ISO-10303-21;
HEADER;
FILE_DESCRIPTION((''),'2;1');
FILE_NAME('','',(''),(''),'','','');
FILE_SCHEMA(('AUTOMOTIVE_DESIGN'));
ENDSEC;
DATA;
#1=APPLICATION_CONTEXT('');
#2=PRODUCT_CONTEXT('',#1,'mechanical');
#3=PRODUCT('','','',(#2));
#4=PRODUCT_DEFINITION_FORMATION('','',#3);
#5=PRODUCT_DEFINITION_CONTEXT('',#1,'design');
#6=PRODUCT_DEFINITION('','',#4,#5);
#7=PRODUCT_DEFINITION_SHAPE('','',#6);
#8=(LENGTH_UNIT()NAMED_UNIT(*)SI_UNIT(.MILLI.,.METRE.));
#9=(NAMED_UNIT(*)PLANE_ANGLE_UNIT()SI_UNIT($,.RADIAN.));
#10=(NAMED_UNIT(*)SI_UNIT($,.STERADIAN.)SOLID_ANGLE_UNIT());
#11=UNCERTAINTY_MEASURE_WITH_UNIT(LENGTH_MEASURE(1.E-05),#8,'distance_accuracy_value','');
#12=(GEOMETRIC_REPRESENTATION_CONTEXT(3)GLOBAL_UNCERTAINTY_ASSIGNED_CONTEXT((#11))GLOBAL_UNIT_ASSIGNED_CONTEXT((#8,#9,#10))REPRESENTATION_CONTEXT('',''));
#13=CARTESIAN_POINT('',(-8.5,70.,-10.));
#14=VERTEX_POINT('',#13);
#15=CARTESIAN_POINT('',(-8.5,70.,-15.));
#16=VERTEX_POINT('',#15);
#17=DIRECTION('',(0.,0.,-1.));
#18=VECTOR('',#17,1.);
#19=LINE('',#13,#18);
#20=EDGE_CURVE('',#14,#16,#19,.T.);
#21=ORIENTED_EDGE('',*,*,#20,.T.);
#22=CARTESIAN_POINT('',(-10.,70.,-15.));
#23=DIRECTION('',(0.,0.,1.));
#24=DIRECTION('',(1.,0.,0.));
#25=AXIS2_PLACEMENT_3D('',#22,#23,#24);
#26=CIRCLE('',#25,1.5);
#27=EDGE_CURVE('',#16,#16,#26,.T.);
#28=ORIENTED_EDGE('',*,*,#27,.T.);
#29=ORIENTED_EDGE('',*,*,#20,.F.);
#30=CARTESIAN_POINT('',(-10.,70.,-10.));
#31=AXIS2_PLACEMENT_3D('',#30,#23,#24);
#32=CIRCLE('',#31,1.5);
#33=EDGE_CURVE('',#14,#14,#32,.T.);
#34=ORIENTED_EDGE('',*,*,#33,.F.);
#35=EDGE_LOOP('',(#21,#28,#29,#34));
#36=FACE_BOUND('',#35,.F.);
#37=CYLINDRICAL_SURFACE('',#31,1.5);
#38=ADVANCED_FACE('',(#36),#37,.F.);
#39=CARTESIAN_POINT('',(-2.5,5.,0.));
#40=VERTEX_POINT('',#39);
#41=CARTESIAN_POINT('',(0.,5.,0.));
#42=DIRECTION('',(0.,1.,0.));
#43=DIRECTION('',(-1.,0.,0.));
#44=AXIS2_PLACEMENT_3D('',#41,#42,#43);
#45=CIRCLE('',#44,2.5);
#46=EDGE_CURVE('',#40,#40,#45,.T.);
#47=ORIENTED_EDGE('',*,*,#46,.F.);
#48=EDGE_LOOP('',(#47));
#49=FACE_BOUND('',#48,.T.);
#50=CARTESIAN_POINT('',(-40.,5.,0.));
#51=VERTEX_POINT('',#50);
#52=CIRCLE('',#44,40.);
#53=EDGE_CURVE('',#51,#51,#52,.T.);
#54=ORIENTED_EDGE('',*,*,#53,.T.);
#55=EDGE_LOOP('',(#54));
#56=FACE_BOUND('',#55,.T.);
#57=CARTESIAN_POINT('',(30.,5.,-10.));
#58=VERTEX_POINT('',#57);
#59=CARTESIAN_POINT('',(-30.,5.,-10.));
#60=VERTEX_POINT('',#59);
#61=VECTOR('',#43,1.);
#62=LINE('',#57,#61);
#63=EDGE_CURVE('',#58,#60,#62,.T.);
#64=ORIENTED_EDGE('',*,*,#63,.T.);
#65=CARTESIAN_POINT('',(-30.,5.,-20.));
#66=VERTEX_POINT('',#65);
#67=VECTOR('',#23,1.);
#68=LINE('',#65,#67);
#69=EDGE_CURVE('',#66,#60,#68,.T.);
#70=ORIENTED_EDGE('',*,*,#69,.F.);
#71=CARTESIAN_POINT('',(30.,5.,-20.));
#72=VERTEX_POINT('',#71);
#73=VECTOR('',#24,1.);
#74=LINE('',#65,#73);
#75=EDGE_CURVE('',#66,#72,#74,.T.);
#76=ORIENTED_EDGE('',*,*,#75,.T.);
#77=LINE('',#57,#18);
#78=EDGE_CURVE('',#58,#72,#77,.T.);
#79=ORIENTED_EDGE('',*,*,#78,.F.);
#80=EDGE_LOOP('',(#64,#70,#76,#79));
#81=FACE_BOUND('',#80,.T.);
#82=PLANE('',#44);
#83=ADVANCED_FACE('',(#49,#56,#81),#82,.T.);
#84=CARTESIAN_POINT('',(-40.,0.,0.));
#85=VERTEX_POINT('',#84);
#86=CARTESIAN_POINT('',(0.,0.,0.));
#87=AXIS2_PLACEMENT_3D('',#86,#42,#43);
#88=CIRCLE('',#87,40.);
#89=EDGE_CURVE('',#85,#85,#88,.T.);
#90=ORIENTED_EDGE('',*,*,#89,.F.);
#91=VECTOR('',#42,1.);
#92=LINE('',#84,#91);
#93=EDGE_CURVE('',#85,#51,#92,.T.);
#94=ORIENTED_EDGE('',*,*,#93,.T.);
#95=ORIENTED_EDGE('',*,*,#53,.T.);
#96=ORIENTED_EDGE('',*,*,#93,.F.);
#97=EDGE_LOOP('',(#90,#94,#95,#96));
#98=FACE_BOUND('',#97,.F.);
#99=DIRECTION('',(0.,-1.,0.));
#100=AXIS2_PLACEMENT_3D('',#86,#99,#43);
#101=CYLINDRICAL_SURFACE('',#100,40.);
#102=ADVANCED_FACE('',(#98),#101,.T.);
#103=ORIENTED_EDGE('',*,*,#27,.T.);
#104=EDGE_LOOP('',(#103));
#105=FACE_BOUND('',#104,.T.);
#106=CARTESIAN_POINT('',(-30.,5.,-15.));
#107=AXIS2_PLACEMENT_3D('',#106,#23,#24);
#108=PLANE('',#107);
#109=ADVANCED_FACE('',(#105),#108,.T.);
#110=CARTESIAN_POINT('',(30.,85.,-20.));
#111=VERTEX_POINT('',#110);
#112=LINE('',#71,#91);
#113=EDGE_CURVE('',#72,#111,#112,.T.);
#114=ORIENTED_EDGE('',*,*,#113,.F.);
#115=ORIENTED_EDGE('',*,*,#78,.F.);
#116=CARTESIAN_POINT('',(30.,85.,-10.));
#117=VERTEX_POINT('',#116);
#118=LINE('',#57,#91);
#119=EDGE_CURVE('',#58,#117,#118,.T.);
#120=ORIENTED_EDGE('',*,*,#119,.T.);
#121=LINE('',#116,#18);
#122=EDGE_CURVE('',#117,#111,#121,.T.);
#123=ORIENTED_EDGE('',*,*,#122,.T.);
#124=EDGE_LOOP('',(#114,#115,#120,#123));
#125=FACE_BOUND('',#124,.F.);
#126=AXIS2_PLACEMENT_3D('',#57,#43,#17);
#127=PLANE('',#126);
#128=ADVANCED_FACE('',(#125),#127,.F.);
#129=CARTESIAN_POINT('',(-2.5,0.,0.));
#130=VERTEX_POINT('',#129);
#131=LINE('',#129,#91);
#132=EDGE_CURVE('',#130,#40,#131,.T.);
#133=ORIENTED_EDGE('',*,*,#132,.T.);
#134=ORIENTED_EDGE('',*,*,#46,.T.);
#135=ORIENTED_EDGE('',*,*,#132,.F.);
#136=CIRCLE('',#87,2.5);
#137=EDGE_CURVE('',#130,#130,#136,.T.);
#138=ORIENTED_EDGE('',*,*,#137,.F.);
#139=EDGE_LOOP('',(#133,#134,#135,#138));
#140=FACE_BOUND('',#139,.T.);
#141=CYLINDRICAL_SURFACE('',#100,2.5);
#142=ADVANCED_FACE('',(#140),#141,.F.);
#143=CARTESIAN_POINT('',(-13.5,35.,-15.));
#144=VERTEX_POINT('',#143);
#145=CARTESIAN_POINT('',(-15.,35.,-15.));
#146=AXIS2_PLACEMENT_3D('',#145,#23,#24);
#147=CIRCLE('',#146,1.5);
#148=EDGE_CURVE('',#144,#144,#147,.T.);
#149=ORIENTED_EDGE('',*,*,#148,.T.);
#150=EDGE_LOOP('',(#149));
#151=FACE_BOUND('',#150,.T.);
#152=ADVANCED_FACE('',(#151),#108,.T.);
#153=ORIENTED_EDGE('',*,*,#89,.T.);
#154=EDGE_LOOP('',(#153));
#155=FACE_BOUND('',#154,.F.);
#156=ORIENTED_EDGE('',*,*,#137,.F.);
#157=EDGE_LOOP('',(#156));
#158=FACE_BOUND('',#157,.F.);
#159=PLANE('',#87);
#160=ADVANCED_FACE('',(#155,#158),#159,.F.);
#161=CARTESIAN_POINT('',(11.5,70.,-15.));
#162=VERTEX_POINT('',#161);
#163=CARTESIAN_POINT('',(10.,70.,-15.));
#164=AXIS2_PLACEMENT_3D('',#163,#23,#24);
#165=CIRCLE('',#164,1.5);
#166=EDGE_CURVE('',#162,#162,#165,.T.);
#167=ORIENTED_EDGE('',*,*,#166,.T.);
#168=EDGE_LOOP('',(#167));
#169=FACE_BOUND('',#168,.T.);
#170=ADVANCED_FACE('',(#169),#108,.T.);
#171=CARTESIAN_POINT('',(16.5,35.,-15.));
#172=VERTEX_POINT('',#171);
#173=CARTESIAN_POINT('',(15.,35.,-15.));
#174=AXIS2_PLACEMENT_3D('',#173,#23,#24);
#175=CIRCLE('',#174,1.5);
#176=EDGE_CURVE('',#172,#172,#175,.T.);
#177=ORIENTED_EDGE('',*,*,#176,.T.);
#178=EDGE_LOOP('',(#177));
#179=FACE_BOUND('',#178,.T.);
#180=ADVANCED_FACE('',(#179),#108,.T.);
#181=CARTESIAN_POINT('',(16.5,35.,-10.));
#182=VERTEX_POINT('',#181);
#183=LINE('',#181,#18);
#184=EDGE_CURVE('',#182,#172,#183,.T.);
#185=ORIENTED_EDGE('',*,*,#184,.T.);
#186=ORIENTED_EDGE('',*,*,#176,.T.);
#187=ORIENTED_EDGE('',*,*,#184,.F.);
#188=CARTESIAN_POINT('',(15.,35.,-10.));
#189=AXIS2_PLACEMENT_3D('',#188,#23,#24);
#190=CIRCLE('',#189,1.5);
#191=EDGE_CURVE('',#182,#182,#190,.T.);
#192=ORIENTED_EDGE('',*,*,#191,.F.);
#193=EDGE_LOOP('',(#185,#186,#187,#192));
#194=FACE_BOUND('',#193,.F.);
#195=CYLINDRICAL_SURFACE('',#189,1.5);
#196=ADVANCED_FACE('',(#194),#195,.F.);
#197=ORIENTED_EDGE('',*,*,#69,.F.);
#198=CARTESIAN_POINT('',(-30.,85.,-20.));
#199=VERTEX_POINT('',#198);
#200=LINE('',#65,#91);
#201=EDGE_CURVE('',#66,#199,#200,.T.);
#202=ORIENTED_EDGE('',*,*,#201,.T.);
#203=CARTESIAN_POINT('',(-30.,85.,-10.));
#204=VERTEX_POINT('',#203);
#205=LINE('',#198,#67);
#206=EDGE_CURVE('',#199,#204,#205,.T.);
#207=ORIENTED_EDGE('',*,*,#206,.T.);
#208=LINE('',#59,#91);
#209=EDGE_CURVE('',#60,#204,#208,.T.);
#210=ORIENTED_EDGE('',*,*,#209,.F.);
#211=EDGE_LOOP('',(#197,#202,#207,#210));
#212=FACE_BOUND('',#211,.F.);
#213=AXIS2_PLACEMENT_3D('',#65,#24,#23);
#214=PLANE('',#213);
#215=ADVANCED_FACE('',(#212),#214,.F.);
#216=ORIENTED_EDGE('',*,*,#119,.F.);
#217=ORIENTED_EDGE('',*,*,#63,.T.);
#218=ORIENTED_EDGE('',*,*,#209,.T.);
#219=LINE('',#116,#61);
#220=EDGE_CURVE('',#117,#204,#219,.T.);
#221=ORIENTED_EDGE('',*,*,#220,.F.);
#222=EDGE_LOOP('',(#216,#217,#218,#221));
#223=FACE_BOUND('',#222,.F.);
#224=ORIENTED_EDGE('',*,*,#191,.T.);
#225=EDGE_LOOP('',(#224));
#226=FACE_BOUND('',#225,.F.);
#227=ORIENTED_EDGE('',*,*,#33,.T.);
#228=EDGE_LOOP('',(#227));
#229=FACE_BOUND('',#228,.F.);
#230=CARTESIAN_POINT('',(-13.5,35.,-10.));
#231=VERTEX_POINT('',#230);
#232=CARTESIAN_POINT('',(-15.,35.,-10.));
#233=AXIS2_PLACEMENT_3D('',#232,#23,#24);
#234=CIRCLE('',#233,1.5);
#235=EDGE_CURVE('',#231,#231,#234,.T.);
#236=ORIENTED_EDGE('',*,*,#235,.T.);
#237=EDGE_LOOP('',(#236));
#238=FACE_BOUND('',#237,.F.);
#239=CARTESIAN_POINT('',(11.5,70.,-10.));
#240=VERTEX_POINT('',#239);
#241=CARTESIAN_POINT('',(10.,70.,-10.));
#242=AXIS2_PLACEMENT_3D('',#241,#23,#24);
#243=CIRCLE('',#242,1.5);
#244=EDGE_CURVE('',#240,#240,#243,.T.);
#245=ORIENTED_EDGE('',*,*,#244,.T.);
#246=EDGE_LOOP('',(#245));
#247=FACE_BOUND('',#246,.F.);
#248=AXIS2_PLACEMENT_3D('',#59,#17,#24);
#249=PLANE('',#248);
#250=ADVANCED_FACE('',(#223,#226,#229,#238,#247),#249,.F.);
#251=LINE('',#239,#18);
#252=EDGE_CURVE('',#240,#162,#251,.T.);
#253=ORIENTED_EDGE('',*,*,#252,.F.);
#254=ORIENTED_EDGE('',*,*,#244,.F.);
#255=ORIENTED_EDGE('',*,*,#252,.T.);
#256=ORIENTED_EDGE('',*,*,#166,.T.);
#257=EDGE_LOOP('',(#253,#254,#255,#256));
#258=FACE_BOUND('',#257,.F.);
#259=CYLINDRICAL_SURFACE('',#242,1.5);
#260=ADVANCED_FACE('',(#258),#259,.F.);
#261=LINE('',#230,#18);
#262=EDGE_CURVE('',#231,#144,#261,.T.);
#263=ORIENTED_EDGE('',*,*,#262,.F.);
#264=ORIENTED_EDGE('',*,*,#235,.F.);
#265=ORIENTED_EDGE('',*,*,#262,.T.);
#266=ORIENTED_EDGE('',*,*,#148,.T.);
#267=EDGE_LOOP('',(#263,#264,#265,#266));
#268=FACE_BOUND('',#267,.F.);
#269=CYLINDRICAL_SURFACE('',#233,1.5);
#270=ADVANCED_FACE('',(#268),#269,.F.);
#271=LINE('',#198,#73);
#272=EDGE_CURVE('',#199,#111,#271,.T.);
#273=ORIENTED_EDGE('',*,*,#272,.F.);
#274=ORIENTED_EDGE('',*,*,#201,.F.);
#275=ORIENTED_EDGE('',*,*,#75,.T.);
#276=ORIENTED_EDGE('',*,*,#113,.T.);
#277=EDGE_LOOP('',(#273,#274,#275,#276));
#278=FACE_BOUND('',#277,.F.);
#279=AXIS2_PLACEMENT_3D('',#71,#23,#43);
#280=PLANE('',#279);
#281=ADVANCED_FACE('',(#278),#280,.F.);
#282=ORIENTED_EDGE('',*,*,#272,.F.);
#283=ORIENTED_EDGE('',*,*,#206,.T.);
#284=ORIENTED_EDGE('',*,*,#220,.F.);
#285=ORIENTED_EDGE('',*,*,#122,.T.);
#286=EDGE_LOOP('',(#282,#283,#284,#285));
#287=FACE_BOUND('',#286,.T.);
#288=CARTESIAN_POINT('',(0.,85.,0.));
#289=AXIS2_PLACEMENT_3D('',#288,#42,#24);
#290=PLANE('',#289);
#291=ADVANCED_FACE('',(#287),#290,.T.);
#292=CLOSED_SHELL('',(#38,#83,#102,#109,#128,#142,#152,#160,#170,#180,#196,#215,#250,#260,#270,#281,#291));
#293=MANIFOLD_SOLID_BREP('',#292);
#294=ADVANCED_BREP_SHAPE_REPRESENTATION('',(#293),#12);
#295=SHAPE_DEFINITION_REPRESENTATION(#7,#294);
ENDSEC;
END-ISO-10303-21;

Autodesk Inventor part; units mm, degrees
ref_plane "YZ Plane" through (0, 0, 0) normal (1, 0, 0) x (0, 1, 0)
ref_plane "XZ Plane" through (0, 0, 0) normal (0, 1, 0) x (-1, 0, 0)
ref_plane "XY Plane" through (0, 0, 0) normal (0, 0, 1) x (1, 0, 0)
sketch "Sketch1" plane through (0, 0, 0) normal (0, 1, 0) x (-1, 0, 0)
  circle A0 centre (0, 0) radius 40
  circle A1 centre (0, 0) radius 2.5
  dimension "d0" = 80
  dimension "d1" = 5
extrude "Extrusion1" add sketch "Sketch1" along normal blind 5
sketch "Sketch2" plane through (0, 5, 0) normal (0, 1, 0) x (1, 0, 0)
  line L0 (0, 10) -> (30, 10)
  line L1 (30, 10) -> (30, 20)
  line L2 (30, 20) -> (0, 20)
  line L3 (0, 20) -> (-30, 20)
  line L4 (-30, 20) -> (-30, 10)
  line L5 (-30, 10) -> (0, 10)
  point P0 (0, 0)
  dimension "d5" = 30
  dimension "d6" = 10
extrude "Extrusion2" add sketch "Sketch2" along normal blind 80
sketch "Sketch3" plane through (-30, 5, -10) normal (0, 0, 1) x (1, 0, 0)
  line L0 (60, 80) -> (0, 80) projected
  circle A0 centre (40, 65) radius 1.5
  circle A1 centre (20, 65) radius 1.5
  line L1 (0, 0) -> (0, 80) projected
  circle A2 centre (45, 30) radius 1.5
  circle A3 centre (15, 30) radius 1.5
  point P0 (30, -5)
  dimension "d13" = 3
  dimension "d14" = 3
  dimension "d18" = 3
  dimension "d19" = 3
extrude "Extrusion3" cut sketch "Sketch3" against normal blind 5
sketch "Sketch4" plane through (-30, 5, -10) normal (0, 0, 1) x (1, 0, 0)
  point P0 (30, -5)
properties part number "gripper"
